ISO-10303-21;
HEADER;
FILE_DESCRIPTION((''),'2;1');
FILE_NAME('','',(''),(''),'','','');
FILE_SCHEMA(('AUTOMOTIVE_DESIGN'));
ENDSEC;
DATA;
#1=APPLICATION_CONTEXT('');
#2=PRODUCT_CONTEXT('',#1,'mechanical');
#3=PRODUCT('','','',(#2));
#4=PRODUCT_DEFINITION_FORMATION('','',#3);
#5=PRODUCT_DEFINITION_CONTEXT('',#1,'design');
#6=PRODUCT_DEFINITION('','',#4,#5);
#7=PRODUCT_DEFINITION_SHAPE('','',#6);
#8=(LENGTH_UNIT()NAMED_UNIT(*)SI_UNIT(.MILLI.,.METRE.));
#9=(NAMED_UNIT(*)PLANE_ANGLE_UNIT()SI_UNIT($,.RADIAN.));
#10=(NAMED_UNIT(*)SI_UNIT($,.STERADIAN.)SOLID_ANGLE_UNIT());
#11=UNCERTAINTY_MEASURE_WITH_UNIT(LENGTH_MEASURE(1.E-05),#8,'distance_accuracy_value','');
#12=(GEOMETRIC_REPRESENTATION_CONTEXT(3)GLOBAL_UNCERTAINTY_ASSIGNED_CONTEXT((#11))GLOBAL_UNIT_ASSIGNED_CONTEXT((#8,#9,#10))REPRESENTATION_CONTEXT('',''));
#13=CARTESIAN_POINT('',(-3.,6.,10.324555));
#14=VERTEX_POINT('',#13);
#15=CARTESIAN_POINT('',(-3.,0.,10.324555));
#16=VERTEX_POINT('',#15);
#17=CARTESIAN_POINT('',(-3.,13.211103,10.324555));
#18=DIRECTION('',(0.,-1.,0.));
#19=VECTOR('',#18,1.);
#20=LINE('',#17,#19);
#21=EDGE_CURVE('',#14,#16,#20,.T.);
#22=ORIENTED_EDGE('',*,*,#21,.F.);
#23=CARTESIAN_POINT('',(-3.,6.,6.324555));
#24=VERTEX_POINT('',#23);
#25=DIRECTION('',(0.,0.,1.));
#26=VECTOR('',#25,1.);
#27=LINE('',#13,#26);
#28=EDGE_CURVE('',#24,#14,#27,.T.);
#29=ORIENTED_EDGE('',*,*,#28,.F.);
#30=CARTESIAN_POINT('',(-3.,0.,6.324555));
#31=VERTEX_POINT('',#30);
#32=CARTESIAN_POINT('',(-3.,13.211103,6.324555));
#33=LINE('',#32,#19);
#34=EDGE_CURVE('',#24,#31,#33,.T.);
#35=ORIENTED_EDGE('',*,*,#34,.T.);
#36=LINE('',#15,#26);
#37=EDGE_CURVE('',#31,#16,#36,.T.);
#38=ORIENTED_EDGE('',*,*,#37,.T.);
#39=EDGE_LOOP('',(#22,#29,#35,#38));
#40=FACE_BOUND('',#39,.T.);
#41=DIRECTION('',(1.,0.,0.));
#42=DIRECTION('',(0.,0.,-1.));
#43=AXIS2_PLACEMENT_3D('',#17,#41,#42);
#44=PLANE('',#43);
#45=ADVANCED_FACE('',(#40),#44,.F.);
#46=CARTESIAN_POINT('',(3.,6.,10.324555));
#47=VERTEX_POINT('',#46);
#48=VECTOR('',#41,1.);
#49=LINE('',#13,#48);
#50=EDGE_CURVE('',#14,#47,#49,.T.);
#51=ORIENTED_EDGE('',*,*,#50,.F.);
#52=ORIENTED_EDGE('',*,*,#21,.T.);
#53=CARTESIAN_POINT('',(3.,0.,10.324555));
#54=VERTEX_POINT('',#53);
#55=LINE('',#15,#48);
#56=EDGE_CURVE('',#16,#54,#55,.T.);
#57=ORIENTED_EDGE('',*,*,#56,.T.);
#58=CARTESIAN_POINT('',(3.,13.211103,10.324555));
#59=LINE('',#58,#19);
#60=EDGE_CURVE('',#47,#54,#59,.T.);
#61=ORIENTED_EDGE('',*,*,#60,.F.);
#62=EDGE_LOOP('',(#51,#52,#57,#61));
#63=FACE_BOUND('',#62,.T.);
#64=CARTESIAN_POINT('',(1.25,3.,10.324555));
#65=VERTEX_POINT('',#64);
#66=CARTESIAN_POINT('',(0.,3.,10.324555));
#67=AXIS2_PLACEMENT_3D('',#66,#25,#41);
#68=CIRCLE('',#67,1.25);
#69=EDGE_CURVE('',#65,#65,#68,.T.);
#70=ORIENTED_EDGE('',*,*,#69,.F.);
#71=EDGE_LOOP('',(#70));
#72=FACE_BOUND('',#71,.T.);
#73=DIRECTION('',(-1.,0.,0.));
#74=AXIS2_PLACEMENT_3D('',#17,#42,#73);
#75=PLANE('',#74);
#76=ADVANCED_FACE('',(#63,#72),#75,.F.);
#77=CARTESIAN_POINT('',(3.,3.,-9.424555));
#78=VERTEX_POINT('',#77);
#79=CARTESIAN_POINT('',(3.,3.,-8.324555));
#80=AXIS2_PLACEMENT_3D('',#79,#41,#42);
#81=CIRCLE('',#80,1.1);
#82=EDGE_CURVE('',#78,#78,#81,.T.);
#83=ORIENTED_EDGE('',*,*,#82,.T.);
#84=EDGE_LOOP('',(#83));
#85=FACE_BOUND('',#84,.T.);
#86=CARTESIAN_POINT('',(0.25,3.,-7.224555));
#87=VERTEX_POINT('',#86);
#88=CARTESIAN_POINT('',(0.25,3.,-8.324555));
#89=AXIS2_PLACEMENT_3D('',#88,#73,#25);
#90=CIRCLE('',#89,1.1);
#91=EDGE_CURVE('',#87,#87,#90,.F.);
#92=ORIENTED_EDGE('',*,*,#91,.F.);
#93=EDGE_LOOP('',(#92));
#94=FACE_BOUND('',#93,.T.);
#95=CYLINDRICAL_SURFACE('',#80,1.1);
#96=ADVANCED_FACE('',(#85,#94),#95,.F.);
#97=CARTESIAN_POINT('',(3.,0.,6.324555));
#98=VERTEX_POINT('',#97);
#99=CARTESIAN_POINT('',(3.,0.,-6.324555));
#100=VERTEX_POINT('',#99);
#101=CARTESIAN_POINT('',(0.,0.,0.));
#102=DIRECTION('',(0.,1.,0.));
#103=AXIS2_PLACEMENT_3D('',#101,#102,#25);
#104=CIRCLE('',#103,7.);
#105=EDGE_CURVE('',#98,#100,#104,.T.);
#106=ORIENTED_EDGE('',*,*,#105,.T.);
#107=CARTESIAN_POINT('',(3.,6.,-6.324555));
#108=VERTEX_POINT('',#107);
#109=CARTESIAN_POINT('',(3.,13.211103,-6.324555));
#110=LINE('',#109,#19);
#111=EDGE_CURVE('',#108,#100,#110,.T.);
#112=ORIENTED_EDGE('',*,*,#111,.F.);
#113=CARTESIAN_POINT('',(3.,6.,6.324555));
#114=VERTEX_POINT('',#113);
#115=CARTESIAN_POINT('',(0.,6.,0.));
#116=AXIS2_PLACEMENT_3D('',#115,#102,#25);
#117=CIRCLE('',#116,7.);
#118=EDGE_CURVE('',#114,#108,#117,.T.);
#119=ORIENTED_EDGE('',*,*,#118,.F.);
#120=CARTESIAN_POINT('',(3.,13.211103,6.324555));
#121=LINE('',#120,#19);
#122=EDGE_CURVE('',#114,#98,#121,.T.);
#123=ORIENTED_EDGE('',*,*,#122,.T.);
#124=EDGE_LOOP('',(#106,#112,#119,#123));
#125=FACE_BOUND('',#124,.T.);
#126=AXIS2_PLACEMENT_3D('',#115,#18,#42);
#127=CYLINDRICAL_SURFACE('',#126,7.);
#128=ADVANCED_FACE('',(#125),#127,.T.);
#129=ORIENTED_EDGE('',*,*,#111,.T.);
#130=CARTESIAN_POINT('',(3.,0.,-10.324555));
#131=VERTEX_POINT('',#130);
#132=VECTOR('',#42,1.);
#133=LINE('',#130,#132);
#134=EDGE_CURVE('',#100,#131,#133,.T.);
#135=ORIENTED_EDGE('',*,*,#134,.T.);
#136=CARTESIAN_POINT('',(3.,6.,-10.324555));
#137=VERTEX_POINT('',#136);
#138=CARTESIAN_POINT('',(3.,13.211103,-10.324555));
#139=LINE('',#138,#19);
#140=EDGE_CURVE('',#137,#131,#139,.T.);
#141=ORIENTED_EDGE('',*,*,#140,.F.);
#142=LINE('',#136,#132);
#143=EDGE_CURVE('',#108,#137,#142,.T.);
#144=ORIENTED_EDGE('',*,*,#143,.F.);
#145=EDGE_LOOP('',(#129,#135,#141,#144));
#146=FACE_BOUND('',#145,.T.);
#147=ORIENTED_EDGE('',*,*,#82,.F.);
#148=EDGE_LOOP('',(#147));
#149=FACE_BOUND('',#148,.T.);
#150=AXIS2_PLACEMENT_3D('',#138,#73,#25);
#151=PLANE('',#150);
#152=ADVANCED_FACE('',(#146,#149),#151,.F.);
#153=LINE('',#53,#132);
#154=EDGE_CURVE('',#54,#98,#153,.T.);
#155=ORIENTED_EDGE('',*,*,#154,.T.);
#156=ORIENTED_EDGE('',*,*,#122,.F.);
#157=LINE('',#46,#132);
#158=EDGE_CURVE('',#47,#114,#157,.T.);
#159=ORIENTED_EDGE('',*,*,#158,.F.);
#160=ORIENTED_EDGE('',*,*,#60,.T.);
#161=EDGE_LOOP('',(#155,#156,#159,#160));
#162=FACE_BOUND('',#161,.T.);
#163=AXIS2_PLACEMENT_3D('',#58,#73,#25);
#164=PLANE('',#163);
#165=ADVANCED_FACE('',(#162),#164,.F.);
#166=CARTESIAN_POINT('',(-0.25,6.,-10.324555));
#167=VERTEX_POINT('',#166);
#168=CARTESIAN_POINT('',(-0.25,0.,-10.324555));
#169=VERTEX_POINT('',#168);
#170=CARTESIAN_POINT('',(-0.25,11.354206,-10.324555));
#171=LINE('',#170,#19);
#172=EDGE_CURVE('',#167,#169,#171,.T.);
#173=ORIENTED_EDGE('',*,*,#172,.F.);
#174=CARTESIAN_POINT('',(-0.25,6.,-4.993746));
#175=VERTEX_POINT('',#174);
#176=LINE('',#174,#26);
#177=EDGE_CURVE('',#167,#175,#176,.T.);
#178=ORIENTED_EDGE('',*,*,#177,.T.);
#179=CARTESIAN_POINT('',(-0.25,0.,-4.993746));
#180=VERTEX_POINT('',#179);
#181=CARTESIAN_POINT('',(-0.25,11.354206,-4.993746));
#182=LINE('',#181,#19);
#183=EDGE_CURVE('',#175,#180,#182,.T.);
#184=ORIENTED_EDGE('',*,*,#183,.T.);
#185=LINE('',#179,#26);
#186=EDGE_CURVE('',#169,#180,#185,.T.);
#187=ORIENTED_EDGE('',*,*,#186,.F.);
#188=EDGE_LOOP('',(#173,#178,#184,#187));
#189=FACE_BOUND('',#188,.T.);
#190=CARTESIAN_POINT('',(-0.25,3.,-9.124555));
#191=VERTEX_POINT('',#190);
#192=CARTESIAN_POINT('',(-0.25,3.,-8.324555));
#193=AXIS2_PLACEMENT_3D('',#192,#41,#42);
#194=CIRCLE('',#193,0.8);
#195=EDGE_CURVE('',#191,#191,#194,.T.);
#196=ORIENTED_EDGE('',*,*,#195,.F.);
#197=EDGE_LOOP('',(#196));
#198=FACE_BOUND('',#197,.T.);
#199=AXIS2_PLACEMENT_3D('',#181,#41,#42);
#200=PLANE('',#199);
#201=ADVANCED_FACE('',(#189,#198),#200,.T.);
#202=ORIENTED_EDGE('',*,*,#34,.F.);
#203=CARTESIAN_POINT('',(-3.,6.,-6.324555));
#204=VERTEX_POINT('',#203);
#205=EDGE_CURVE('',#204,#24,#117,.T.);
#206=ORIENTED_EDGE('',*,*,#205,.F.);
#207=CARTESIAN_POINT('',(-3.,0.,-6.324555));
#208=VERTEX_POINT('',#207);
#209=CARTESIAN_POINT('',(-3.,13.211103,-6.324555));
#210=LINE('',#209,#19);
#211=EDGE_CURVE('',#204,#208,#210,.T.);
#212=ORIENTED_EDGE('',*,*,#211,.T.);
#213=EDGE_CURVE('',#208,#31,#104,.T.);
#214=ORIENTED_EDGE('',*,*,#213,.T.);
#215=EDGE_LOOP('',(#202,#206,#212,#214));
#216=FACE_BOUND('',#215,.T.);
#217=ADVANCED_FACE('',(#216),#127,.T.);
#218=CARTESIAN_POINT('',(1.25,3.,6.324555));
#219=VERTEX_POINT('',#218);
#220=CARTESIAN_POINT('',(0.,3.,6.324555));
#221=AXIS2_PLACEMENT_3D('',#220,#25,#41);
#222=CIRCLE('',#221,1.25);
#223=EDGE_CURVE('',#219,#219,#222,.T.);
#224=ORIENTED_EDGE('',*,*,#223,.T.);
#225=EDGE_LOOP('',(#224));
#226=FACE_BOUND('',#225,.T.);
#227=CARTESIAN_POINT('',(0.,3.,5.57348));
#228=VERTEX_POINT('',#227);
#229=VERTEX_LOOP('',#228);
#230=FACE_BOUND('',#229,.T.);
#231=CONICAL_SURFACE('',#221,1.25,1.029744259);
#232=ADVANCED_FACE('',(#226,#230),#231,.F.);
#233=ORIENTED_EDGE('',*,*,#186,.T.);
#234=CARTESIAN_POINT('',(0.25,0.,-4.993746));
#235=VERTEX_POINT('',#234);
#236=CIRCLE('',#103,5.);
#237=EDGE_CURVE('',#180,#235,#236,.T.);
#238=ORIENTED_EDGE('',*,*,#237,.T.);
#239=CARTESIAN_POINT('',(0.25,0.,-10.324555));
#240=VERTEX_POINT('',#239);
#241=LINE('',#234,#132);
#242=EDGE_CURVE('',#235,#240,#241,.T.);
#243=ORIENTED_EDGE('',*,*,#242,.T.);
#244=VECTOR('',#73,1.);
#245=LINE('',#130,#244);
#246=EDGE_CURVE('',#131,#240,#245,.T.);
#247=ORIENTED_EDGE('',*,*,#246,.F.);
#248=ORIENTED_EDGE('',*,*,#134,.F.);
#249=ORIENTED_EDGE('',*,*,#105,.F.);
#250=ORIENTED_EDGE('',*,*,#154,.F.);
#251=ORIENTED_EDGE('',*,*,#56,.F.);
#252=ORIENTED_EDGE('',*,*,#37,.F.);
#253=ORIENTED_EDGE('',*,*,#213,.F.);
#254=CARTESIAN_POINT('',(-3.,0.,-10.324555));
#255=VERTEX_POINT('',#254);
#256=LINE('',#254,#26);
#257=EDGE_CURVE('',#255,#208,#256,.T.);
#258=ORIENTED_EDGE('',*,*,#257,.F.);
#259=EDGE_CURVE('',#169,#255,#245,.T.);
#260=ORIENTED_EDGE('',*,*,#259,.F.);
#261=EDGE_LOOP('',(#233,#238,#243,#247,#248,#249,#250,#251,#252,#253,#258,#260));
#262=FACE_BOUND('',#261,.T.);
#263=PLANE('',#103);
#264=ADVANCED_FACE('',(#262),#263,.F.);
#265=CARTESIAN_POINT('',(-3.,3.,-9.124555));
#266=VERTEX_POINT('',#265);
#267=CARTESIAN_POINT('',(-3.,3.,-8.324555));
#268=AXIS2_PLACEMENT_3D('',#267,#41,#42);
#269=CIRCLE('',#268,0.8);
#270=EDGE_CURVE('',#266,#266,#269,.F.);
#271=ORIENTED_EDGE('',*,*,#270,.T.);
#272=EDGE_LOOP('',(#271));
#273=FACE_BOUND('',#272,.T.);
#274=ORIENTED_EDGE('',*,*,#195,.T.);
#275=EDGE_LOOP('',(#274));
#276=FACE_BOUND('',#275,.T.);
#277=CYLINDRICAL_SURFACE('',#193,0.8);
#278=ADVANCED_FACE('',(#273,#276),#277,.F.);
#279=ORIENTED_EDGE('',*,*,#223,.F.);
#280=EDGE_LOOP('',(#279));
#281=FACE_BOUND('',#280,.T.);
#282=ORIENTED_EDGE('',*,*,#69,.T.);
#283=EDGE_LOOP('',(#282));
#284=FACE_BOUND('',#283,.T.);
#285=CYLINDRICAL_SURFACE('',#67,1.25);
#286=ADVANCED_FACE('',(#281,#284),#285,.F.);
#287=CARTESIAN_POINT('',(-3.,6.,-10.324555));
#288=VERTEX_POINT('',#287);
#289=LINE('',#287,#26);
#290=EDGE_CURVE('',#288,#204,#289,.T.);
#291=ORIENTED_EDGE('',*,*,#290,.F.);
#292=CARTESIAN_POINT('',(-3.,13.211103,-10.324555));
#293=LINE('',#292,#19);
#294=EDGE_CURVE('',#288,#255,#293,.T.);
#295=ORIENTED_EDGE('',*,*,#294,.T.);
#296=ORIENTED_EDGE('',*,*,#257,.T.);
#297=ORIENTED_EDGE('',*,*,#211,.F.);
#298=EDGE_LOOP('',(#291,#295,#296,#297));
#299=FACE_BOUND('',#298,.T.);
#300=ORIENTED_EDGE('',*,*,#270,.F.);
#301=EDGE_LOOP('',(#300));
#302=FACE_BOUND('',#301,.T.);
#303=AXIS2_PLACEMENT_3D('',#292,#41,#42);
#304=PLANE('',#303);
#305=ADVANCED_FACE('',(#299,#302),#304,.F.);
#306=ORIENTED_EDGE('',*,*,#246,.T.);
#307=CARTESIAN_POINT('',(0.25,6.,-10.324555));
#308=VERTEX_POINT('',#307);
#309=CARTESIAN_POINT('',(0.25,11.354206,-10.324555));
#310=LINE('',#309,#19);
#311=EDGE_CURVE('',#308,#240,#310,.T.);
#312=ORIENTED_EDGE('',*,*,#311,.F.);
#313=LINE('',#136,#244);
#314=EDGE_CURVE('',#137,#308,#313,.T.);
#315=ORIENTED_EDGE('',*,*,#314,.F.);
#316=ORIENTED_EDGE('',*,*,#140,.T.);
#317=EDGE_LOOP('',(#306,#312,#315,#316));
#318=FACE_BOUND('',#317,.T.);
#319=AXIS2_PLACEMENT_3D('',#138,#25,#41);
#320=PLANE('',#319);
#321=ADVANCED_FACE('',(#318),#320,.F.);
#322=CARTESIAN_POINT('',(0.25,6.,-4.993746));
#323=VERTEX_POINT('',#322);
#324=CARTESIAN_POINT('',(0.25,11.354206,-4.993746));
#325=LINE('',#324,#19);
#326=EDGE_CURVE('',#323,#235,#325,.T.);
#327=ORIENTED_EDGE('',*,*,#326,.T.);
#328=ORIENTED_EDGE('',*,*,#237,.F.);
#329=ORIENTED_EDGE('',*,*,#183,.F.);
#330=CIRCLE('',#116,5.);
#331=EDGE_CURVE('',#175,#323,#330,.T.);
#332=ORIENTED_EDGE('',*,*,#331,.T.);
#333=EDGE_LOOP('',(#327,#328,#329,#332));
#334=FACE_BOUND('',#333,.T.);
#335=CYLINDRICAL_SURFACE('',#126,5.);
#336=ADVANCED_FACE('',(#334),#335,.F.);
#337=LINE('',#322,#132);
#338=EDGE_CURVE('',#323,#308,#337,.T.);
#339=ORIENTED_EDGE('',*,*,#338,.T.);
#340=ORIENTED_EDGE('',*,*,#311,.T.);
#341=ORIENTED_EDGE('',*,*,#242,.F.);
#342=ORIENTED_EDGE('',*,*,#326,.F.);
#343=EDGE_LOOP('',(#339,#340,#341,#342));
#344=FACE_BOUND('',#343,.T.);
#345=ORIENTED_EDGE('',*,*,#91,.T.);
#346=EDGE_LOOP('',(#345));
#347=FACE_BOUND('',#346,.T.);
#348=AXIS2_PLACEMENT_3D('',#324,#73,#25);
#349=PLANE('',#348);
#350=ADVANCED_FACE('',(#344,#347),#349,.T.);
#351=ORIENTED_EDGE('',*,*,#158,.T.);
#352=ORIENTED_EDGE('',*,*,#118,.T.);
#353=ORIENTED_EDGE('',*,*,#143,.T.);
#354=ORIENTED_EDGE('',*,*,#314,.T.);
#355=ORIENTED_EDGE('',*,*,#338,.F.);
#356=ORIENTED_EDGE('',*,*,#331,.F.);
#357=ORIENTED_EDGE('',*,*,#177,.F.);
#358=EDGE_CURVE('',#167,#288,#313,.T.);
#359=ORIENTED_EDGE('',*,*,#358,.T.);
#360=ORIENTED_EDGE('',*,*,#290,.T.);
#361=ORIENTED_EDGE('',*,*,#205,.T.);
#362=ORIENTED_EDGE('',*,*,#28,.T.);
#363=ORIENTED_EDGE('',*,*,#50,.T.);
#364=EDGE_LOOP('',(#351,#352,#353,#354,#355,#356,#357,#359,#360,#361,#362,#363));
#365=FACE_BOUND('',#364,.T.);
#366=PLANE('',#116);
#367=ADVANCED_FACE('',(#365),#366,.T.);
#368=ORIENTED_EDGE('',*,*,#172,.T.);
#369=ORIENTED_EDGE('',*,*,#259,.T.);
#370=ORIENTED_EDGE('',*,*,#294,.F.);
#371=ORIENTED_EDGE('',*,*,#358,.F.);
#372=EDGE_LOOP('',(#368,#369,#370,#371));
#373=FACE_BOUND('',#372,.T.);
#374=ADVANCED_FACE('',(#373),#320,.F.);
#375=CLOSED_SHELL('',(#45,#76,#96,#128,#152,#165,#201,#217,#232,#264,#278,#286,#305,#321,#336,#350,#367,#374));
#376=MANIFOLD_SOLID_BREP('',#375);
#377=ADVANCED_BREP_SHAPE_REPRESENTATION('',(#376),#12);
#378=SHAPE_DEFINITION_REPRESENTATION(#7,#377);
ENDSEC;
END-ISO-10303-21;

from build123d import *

# Parameters (mm, degrees)
LOOP_SKETCH_R                   = 7
LOOP_SKETCH_R_2                 = 5
LOOP_EXTRUDE_DEPTH              = 6
BLOCK_SKETCH_W                  = 6
BLOCK_SKETCH_H                  = 4
BLOCK_EXTRUDE_DEPTH             = 6
SLOT_SKETCH_W                   = 0.5
SLOT_SKETCH_H                   = 5.330809231
SLOT_CUT_DEPTH                  = 6
M3X0_5_TAPPED_HOLE1_D           = 2.5
M3X0_5_TAPPED_HOLE1_DEPTH       = 4
M3X0_5_TAPPED_HOLE1_TIP         = 0.751075774
F_2_2_2_2_DIAMETER_HOLE1_REACH  = 17.576
F_2_2_2_2_DIAMETER_HOLE1_BORE_R = 1.1
M2X0_4_TAPPED_HOLE1_D           = 1.6


with BuildPart() as part:
    # Loop Sketch → Loop Extrude (new body)
    with BuildSketch(Plane(origin=(0, 0, 0), x_dir=(1, 0, 0), z_dir=(0, 1, 0))):
        with Locations(Location((0, 0, 0), (0, 0, 270))):
            Circle(LOOP_SKETCH_R)
        with Locations(Location((0, 0, 0), (0, 0, 270))):
            Circle(LOOP_SKETCH_R_2, mode=Mode.SUBTRACT)
    extrude(amount=LOOP_EXTRUDE_DEPTH)

    # Block Sketch → Block Extrude (add)
    with BuildSketch(Plane(origin=(0, 0, 0), x_dir=(1, 0, 0), z_dir=(0, 1, 0))):
        with Locations((0, -8.32455532)):
            Rectangle(BLOCK_SKETCH_W, BLOCK_SKETCH_H)
        with Locations((0, 8.32455532)):
            Rectangle(BLOCK_SKETCH_W, BLOCK_SKETCH_H)
    extrude(amount=BLOCK_EXTRUDE_DEPTH)

    # Slot Sketch → Slot Cut (cut)
    with BuildSketch(Plane(origin=(0, 0, 0), x_dir=(1, 0, 0), z_dir=(0, 1, 0))):
        with Locations((0, 7.659150705)):
            Rectangle(SLOT_SKETCH_W, SLOT_SKETCH_H)
    extrude(amount=SLOT_CUT_DEPTH, mode=Mode.SUBTRACT)

    # M3x0.5 Tapped Hole1
    with Locations(Plane.XY.offset(10.32455532)):
        with Locations((0, 3)):
            Hole(M3X0_5_TAPPED_HOLE1_D / 2, depth=M3X0_5_TAPPED_HOLE1_DEPTH)
            with Locations((0, 0, -(M3X0_5_TAPPED_HOLE1_DEPTH + M3X0_5_TAPPED_HOLE1_TIP / 2))):  # 118° drill point
                Cone(0, M3X0_5_TAPPED_HOLE1_D / 2, M3X0_5_TAPPED_HOLE1_TIP, mode=Mode.SUBTRACT)

    # Ø2.2 (2.2) Diameter Hole1 bore → Ø2.2 (2.2) Diameter Hole1 (cut, up to next)
    with BuildSketch(Plane(origin=(3, 0, 0), x_dir=(0, 0, -1), z_dir=(1, 0, 0)), mode=Mode.PRIVATE) as f_2_2_2_2_diameter_hole1_sk1:
        with Locations((8.32455532, 3)):
            Circle(F_2_2_2_2_DIAMETER_HOLE1_BORE_R)
    f_2_2_2_2_diameter_hole1_tool1 = extrude(f_2_2_2_2_diameter_hole1_sk1.sketch, amount=-F_2_2_2_2_DIAMETER_HOLE1_REACH, mode=Mode.PRIVATE) & part.part
    add(f_2_2_2_2_diameter_hole1_tool1.solids().sort_by_distance((3, 3, -8.324555))[0], mode=Mode.SUBTRACT)

    # M2x0.4 Tapped Hole1 (through all)
    with Locations(Plane(origin=(-0.25, 0, 0), x_dir=(0, 0, -1), z_dir=(1, 0, 0))):
        with Locations((8.32455532, 3)):
            Hole(M2X0_4_TAPPED_HOLE1_D / 2)


solid = part.part
